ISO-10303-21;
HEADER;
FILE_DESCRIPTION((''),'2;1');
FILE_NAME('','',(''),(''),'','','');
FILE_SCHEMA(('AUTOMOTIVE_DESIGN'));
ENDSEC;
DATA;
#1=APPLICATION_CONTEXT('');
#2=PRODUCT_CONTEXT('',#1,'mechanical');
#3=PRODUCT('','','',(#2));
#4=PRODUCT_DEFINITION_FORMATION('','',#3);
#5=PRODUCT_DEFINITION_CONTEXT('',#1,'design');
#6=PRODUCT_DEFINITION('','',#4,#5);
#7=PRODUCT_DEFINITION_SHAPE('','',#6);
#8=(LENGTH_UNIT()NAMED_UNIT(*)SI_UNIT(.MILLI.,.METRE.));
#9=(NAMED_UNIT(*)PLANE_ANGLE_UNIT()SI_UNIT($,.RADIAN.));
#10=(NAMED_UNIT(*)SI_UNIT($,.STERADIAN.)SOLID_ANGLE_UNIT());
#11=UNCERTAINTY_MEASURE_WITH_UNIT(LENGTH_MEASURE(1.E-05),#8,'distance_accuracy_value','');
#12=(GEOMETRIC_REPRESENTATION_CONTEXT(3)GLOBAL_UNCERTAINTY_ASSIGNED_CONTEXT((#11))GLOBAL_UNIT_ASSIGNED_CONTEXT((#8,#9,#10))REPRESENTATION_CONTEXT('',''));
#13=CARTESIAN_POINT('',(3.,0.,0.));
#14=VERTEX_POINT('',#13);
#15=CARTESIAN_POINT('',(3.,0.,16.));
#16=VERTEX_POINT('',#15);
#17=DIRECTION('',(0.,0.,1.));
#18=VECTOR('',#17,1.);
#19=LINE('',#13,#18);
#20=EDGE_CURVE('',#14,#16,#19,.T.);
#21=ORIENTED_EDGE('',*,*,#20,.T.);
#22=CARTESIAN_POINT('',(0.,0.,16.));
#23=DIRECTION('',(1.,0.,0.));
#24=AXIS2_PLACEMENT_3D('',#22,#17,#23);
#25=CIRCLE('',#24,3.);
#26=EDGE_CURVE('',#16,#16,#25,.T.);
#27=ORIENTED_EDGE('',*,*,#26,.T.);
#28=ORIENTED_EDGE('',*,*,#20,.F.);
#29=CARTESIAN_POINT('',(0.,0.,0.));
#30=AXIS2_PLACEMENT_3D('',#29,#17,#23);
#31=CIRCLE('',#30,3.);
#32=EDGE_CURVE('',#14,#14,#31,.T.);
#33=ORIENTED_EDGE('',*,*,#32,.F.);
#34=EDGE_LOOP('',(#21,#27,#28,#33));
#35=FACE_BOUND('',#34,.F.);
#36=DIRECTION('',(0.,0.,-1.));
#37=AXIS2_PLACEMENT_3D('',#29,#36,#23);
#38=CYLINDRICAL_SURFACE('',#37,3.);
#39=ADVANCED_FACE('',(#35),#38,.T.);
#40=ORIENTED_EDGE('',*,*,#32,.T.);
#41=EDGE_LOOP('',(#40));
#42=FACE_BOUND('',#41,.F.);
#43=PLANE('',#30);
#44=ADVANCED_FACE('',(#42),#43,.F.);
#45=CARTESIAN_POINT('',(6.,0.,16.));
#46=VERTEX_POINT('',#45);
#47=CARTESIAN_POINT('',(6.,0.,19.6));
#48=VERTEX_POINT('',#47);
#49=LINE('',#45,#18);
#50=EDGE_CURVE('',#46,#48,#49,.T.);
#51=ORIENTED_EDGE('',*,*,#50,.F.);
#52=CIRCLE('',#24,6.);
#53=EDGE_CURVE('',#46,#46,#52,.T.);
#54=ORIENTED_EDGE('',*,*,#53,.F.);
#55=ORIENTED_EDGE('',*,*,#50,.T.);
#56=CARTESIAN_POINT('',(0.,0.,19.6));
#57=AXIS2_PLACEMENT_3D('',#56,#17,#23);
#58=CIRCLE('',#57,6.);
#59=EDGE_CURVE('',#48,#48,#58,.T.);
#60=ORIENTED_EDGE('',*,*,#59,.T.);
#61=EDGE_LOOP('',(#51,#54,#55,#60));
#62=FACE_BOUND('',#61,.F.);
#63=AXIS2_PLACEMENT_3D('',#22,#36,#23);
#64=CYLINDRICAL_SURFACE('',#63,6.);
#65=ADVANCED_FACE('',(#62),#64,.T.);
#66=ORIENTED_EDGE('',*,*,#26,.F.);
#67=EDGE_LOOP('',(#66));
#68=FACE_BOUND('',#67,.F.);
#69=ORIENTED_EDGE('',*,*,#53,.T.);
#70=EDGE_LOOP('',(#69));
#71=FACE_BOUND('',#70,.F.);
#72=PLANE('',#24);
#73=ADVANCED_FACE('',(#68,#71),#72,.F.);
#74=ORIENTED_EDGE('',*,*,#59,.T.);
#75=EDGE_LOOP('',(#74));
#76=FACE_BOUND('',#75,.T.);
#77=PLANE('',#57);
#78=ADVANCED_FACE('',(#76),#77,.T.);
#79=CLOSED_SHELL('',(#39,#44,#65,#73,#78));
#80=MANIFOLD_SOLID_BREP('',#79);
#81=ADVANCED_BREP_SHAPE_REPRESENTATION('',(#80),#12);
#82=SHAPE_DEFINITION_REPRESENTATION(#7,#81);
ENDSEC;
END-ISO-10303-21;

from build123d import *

# Parameters (mm, degrees)
F0_R     = 3
F1_DEPTH = 16
F2_R     = 6
F2_R_2   = 3
F3_DEPTH = 3.6


with BuildPart() as f1:
    # F0 (on Top) → F1 (new body)
    with BuildSketch(Plane.XY):
        Circle(F0_R)
    extrude(amount=F1_DEPTH)

    # F2 (on face) → F3 (join)
    with BuildSketch(Plane.XY.offset(16)):
        Circle(F2_R)
        Circle(F2_R_2, mode=Mode.SUBTRACT)
        Circle(F2_R_2)
    extrude(amount=F3_DEPTH)


solid = f1.part
